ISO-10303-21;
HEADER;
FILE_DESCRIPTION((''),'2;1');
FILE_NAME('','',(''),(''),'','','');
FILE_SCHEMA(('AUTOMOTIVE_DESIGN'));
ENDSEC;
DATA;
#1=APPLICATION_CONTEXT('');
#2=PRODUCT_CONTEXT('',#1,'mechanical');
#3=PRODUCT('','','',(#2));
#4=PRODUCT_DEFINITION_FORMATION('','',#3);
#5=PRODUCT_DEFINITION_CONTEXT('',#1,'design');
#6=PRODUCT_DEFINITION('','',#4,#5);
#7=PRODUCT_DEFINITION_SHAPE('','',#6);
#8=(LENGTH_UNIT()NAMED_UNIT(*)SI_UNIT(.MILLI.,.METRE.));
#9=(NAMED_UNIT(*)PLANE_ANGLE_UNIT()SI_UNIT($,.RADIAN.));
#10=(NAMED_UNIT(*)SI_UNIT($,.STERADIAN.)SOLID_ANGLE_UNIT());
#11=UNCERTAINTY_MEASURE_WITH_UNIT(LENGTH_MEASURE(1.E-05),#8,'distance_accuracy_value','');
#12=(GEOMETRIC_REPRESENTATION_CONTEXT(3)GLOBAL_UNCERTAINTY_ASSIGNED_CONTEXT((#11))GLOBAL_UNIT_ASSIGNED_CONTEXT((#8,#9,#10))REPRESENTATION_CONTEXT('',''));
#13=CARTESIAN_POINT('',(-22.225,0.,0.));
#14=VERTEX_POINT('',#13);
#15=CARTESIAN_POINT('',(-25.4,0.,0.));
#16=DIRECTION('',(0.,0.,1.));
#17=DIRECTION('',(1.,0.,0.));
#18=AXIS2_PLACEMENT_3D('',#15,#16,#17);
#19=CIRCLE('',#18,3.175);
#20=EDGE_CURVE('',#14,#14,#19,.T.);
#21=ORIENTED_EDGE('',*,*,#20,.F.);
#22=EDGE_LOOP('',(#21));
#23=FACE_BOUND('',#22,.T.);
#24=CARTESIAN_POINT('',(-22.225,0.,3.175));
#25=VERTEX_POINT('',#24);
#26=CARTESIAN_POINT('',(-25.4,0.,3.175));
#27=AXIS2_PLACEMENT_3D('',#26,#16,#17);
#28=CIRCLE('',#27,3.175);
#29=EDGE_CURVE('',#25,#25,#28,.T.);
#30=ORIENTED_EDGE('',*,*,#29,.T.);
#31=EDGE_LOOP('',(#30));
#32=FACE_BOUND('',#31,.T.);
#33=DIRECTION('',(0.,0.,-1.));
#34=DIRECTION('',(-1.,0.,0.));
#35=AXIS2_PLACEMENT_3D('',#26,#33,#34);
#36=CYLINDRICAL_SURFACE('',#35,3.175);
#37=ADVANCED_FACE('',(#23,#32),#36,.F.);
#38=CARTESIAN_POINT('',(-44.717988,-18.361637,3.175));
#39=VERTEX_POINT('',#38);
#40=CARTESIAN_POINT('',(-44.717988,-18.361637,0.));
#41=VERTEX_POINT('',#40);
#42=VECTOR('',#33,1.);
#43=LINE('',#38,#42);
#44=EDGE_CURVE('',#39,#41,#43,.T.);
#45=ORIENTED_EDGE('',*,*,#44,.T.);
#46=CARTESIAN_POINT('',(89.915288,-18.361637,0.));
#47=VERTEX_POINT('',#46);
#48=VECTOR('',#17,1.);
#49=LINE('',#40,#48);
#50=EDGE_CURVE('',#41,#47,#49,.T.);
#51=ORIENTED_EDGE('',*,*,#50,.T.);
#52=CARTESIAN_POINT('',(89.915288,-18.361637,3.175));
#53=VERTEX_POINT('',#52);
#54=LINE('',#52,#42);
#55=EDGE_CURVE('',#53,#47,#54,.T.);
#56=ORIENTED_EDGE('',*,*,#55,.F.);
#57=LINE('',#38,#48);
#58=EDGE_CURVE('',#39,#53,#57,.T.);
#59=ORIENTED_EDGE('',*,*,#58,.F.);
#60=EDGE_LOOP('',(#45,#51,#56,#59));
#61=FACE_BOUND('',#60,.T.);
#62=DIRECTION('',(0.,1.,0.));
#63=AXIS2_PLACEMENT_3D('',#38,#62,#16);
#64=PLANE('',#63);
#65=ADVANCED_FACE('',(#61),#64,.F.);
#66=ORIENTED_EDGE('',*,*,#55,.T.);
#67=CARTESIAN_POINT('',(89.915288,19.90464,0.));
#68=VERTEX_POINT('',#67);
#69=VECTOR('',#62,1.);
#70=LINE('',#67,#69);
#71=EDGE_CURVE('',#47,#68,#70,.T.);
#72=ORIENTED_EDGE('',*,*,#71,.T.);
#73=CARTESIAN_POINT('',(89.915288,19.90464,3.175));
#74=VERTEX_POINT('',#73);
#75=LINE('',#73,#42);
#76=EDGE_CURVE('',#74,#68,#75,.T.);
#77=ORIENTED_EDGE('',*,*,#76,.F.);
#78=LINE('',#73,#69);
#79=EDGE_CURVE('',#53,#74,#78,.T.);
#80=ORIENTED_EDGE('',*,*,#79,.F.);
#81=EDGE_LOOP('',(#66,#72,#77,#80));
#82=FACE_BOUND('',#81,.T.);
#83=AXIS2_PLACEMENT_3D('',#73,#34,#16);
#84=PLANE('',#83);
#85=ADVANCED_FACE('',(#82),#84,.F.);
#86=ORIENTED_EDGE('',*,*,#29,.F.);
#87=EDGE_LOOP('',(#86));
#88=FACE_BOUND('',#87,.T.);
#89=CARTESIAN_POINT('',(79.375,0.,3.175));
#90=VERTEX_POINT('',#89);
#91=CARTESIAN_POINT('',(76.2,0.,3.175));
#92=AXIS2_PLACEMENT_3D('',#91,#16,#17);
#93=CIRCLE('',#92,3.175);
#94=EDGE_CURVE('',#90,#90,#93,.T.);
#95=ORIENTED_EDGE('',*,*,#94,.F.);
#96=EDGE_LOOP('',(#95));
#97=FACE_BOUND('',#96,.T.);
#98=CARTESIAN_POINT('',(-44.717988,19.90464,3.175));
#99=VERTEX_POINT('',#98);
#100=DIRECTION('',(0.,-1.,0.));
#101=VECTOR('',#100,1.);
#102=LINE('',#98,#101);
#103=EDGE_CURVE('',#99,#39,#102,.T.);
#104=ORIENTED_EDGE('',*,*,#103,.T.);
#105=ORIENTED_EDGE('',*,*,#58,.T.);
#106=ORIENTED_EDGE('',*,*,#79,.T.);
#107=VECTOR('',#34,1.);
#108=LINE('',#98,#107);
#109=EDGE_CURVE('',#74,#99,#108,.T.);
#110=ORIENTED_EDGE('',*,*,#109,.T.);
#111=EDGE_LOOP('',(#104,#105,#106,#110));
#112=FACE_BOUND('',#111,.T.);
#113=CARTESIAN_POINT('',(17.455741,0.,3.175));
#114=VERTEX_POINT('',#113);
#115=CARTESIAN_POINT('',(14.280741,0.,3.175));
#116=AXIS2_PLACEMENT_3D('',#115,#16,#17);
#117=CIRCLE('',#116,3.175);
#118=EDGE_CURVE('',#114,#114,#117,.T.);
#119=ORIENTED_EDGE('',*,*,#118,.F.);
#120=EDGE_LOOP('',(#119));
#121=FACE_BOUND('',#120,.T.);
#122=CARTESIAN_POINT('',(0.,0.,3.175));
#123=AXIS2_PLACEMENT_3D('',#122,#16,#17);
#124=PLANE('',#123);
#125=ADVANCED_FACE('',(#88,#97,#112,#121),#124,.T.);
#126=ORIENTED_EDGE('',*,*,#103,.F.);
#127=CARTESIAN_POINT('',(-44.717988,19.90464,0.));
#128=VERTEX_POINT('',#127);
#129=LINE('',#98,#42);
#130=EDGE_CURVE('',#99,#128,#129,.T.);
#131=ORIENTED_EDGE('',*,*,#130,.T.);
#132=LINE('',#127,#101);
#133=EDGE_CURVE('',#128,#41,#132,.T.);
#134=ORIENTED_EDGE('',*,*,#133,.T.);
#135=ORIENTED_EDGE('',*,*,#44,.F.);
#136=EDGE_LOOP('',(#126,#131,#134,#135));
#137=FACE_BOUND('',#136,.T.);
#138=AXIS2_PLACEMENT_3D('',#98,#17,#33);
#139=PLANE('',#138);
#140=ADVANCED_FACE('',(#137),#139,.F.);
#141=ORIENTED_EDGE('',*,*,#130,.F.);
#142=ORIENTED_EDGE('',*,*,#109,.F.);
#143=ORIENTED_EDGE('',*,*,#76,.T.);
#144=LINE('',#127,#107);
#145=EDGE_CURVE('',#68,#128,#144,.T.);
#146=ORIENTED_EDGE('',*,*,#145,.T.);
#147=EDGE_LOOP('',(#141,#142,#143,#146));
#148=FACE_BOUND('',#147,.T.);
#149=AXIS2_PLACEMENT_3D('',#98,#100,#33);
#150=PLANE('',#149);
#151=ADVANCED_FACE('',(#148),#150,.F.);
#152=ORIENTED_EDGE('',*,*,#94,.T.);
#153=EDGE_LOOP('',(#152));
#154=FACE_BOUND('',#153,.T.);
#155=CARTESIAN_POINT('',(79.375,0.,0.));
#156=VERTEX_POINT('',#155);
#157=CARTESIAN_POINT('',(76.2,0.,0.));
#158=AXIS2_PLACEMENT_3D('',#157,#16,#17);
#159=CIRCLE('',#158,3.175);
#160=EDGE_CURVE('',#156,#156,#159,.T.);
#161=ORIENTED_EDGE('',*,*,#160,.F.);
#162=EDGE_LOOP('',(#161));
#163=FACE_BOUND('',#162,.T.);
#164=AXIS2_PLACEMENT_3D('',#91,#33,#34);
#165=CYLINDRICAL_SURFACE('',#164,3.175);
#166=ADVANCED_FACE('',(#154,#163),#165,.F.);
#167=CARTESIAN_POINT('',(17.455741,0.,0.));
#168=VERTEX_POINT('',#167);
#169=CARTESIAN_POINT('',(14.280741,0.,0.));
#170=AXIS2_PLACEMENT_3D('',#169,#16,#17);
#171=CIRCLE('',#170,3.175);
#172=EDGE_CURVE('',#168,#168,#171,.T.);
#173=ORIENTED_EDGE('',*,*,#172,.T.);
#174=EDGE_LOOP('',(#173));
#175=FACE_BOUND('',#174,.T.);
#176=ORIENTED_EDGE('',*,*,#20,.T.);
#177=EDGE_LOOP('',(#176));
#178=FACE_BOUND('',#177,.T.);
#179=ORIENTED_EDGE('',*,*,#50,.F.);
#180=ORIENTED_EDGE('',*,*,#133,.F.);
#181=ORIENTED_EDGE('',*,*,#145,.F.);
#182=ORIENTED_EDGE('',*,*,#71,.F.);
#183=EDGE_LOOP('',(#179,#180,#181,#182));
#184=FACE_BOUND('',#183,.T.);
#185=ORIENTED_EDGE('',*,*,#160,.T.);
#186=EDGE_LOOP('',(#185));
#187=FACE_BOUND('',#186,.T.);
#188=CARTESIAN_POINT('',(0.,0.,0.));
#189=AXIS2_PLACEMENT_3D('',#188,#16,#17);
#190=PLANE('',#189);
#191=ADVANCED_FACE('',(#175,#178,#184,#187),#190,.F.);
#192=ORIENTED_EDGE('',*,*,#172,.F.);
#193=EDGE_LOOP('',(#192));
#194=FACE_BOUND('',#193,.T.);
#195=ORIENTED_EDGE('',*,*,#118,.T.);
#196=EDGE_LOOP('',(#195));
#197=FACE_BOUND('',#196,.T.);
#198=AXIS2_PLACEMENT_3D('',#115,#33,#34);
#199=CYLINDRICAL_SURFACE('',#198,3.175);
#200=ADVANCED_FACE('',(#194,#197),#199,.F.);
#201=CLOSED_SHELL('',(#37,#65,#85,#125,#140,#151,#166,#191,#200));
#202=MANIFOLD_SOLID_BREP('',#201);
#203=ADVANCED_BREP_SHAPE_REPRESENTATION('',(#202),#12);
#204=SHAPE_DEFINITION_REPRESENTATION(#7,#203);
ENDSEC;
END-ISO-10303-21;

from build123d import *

# Parameters (mm, degrees)
SKETCH1_W           = 134.633276231
SKETCH1_H           = 38.266277503
SKETCH1_R           = 3.175
BOSS_EXTRUDE1_DEPTH = 3.175


with BuildPart() as part:
    # Sketch1 → Boss-Extrude1 (new body)
    with BuildSketch(Plane.XY):
        with Locations((22.598649827, 0.771501565)):
            Rectangle(SKETCH1_W, SKETCH1_H)
        with Locations((-25.4, 0)):
            Circle(SKETCH1_R, mode=Mode.SUBTRACT)
        with Locations((76.2, 0)):
            Circle(SKETCH1_R, mode=Mode.SUBTRACT)
        with Locations((14.280741375, 0)):
            Circle(SKETCH1_R, mode=Mode.SUBTRACT)
    extrude(amount=BOSS_EXTRUDE1_DEPTH)


solid = part.part
